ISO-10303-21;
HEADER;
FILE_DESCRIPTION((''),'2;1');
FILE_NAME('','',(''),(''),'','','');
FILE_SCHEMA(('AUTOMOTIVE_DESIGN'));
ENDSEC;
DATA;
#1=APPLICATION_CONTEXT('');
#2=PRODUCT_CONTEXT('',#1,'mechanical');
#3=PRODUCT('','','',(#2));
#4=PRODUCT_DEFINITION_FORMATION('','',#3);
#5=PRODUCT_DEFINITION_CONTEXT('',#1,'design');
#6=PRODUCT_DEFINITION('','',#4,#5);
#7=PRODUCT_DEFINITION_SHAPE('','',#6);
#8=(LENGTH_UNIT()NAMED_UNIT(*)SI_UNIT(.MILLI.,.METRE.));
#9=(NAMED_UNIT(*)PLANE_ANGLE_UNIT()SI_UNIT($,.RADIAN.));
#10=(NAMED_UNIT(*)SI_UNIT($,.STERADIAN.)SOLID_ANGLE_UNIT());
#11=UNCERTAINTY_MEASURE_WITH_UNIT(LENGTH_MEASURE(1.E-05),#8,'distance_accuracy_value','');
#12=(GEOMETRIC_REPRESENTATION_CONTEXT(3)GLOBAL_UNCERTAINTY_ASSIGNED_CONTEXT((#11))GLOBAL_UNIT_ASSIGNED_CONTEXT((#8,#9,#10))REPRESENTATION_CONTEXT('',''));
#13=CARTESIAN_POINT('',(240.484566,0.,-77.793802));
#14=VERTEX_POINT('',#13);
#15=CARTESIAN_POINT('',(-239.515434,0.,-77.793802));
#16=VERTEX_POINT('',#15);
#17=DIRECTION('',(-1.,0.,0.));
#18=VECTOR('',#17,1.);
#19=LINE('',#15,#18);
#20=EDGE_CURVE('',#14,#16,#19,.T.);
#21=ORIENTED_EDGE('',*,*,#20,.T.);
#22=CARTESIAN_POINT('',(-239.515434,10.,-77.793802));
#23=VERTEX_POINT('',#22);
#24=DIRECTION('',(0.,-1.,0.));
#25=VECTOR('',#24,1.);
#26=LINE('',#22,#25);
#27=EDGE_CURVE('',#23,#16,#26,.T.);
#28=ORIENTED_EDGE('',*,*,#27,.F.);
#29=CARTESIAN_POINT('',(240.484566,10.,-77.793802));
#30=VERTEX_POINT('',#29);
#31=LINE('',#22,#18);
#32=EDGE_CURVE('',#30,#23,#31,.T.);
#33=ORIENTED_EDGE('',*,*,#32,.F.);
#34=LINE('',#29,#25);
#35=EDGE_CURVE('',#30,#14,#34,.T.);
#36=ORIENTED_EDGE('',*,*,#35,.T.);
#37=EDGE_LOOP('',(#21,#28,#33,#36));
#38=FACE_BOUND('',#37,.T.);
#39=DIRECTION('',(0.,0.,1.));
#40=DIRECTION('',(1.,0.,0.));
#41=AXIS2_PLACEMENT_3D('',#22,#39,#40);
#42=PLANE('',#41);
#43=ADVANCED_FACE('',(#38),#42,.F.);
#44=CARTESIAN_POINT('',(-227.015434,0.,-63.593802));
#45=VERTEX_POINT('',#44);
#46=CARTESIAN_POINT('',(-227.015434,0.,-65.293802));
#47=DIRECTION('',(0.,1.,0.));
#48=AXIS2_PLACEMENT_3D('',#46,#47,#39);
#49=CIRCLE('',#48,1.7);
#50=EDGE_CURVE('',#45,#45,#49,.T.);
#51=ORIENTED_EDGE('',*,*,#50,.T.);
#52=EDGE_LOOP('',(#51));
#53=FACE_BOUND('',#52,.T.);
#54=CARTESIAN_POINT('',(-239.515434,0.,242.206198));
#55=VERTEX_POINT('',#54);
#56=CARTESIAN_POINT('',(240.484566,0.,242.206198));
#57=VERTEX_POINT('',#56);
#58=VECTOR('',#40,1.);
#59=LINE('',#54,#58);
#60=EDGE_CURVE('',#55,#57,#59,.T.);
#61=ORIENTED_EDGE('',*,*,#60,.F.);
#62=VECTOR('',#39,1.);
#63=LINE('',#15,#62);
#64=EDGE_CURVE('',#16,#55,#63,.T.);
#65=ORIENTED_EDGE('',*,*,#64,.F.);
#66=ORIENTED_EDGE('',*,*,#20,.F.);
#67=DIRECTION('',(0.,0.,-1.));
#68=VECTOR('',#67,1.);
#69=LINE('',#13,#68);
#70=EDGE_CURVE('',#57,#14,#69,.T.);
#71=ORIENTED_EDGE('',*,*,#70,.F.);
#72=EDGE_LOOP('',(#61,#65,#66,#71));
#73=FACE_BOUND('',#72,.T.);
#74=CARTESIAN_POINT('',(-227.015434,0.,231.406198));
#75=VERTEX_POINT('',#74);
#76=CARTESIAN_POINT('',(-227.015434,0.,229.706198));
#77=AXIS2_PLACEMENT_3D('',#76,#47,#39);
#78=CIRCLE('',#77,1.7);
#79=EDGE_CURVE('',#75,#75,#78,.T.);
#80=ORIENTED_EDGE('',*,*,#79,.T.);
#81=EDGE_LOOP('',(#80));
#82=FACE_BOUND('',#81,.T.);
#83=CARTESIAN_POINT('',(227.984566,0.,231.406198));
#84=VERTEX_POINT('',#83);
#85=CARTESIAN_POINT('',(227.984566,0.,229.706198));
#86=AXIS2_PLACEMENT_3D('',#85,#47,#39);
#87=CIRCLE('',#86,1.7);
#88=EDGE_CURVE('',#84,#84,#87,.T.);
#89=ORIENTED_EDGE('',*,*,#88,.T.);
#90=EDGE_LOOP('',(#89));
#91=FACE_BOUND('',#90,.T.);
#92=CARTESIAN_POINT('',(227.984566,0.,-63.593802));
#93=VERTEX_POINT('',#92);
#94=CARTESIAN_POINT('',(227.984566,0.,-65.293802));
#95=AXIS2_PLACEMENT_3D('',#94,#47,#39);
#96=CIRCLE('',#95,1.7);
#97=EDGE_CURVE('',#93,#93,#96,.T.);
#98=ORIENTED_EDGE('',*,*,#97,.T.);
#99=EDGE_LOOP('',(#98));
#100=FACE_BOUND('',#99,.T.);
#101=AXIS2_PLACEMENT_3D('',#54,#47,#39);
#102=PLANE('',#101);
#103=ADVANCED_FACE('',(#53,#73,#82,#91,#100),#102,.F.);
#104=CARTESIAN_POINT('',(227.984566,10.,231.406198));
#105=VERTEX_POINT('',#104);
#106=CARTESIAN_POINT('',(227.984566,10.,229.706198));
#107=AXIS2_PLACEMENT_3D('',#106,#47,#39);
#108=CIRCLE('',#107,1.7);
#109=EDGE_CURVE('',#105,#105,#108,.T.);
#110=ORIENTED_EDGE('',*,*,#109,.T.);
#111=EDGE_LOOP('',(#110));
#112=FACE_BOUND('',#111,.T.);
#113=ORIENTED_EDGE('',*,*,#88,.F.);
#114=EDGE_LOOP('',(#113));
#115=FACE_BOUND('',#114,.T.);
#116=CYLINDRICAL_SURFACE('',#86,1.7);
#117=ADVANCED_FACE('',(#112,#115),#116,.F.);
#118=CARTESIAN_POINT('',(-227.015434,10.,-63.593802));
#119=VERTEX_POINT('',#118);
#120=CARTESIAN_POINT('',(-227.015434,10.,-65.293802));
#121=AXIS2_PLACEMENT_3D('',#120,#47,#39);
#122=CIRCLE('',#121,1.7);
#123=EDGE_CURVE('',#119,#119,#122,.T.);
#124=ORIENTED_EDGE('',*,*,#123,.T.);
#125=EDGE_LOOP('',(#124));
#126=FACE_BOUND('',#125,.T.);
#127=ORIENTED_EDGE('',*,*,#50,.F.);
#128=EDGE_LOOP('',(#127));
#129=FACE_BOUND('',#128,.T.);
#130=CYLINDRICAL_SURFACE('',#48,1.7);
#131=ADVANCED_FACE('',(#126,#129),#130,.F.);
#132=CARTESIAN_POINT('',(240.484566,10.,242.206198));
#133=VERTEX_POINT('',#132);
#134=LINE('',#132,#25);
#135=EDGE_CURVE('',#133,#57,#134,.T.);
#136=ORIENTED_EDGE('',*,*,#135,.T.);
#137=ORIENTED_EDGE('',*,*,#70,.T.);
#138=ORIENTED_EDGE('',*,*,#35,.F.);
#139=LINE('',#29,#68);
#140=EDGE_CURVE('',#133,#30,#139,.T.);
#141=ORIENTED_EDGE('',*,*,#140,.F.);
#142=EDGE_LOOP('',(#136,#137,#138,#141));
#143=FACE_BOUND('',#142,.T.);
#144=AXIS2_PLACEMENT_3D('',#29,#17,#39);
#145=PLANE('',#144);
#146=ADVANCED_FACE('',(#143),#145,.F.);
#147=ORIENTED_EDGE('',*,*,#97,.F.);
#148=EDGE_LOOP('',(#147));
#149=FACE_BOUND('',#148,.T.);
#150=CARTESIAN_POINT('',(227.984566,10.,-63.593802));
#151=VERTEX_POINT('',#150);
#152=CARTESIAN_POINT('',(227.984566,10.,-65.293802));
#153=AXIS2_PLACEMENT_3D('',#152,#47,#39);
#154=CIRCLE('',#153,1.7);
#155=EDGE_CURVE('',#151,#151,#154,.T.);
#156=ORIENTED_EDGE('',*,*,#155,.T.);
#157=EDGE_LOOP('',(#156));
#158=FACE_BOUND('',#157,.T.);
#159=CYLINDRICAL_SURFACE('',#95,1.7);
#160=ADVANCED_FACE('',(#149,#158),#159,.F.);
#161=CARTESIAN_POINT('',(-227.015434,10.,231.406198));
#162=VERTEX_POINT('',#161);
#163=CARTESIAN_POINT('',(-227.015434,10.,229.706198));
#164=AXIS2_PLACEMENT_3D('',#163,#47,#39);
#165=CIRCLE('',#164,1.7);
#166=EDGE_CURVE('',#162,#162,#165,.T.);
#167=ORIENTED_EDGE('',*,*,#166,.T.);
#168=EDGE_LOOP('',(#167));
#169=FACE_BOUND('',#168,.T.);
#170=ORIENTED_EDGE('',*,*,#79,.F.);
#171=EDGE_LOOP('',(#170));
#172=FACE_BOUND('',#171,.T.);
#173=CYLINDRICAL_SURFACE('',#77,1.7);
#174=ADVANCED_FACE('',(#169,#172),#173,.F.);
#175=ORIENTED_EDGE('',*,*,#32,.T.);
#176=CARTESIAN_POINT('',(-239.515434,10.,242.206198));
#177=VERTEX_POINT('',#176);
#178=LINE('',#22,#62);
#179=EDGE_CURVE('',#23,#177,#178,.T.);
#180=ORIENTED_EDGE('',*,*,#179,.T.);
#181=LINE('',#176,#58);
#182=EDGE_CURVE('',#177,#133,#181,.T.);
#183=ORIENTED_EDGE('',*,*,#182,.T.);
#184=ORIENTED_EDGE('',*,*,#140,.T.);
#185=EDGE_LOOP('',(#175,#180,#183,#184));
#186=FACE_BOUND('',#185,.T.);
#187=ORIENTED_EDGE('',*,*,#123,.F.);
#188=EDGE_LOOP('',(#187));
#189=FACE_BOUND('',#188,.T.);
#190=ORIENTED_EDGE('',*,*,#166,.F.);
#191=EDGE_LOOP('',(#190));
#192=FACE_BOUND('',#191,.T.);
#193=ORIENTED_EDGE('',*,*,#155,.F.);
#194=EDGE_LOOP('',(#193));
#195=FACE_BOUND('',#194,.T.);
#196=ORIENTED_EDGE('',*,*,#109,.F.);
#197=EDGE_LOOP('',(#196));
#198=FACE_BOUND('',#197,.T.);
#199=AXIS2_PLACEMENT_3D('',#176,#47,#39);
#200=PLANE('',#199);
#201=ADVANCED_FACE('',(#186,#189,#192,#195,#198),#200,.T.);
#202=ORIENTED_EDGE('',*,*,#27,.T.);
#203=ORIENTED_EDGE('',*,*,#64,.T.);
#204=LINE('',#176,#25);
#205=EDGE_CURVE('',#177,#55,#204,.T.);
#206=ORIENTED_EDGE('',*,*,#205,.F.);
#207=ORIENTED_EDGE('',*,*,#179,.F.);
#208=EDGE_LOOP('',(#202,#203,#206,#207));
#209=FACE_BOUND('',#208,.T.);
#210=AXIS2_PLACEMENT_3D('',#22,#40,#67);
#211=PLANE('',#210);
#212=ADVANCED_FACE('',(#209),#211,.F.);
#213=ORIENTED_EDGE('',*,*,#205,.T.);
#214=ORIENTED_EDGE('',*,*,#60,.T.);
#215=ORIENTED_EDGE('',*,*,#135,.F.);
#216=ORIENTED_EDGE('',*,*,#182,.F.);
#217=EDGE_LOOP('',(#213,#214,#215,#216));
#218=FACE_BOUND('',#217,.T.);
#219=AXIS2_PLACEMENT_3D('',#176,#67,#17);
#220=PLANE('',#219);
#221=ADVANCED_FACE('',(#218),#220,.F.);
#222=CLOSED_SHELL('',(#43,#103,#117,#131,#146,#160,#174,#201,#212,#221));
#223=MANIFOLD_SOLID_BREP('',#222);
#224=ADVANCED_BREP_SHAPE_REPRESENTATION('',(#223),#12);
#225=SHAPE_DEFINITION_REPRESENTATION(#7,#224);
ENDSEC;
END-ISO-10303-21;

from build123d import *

# Parameters (mm, degrees)
SKETCH1_W           = 480
SKETCH1_H           = 320
BOSS_EXTRUDE1_DEPTH = 10
SKETCH2_R           = 1.7
CUT_EXTRUDE1_DEPTH  = 11


with BuildPart() as part:
    # Sketch1 → Boss-Extrude1 (new body)
    with BuildSketch(Plane(origin=(0, 0, 0), x_dir=(1, 0, 0), z_dir=(0, 1, 0))):
        with Locations((0.484565928, -82.206197664)):
            Rectangle(SKETCH1_W, SKETCH1_H)
    extrude(amount=BOSS_EXTRUDE1_DEPTH)

    # Sketch2 → Cut-Extrude1 (cut, through all)
    with BuildSketch(Plane(origin=(0, 10, 0), x_dir=(1, 0, 0), z_dir=(0, 1, 0))):
        with Locations((-227.015434072, 65.293802336)):
            Circle(SKETCH2_R)
        with Locations((227.984565928, -229.706197664)):
            Circle(SKETCH2_R)
        with Locations((227.984565928, 65.293802336)):
            Circle(SKETCH2_R)
        with Locations((-227.015434072, -229.706197664)):
            Circle(SKETCH2_R)
    extrude(amount=-CUT_EXTRUDE1_DEPTH, mode=Mode.SUBTRACT)


solid = part.part
